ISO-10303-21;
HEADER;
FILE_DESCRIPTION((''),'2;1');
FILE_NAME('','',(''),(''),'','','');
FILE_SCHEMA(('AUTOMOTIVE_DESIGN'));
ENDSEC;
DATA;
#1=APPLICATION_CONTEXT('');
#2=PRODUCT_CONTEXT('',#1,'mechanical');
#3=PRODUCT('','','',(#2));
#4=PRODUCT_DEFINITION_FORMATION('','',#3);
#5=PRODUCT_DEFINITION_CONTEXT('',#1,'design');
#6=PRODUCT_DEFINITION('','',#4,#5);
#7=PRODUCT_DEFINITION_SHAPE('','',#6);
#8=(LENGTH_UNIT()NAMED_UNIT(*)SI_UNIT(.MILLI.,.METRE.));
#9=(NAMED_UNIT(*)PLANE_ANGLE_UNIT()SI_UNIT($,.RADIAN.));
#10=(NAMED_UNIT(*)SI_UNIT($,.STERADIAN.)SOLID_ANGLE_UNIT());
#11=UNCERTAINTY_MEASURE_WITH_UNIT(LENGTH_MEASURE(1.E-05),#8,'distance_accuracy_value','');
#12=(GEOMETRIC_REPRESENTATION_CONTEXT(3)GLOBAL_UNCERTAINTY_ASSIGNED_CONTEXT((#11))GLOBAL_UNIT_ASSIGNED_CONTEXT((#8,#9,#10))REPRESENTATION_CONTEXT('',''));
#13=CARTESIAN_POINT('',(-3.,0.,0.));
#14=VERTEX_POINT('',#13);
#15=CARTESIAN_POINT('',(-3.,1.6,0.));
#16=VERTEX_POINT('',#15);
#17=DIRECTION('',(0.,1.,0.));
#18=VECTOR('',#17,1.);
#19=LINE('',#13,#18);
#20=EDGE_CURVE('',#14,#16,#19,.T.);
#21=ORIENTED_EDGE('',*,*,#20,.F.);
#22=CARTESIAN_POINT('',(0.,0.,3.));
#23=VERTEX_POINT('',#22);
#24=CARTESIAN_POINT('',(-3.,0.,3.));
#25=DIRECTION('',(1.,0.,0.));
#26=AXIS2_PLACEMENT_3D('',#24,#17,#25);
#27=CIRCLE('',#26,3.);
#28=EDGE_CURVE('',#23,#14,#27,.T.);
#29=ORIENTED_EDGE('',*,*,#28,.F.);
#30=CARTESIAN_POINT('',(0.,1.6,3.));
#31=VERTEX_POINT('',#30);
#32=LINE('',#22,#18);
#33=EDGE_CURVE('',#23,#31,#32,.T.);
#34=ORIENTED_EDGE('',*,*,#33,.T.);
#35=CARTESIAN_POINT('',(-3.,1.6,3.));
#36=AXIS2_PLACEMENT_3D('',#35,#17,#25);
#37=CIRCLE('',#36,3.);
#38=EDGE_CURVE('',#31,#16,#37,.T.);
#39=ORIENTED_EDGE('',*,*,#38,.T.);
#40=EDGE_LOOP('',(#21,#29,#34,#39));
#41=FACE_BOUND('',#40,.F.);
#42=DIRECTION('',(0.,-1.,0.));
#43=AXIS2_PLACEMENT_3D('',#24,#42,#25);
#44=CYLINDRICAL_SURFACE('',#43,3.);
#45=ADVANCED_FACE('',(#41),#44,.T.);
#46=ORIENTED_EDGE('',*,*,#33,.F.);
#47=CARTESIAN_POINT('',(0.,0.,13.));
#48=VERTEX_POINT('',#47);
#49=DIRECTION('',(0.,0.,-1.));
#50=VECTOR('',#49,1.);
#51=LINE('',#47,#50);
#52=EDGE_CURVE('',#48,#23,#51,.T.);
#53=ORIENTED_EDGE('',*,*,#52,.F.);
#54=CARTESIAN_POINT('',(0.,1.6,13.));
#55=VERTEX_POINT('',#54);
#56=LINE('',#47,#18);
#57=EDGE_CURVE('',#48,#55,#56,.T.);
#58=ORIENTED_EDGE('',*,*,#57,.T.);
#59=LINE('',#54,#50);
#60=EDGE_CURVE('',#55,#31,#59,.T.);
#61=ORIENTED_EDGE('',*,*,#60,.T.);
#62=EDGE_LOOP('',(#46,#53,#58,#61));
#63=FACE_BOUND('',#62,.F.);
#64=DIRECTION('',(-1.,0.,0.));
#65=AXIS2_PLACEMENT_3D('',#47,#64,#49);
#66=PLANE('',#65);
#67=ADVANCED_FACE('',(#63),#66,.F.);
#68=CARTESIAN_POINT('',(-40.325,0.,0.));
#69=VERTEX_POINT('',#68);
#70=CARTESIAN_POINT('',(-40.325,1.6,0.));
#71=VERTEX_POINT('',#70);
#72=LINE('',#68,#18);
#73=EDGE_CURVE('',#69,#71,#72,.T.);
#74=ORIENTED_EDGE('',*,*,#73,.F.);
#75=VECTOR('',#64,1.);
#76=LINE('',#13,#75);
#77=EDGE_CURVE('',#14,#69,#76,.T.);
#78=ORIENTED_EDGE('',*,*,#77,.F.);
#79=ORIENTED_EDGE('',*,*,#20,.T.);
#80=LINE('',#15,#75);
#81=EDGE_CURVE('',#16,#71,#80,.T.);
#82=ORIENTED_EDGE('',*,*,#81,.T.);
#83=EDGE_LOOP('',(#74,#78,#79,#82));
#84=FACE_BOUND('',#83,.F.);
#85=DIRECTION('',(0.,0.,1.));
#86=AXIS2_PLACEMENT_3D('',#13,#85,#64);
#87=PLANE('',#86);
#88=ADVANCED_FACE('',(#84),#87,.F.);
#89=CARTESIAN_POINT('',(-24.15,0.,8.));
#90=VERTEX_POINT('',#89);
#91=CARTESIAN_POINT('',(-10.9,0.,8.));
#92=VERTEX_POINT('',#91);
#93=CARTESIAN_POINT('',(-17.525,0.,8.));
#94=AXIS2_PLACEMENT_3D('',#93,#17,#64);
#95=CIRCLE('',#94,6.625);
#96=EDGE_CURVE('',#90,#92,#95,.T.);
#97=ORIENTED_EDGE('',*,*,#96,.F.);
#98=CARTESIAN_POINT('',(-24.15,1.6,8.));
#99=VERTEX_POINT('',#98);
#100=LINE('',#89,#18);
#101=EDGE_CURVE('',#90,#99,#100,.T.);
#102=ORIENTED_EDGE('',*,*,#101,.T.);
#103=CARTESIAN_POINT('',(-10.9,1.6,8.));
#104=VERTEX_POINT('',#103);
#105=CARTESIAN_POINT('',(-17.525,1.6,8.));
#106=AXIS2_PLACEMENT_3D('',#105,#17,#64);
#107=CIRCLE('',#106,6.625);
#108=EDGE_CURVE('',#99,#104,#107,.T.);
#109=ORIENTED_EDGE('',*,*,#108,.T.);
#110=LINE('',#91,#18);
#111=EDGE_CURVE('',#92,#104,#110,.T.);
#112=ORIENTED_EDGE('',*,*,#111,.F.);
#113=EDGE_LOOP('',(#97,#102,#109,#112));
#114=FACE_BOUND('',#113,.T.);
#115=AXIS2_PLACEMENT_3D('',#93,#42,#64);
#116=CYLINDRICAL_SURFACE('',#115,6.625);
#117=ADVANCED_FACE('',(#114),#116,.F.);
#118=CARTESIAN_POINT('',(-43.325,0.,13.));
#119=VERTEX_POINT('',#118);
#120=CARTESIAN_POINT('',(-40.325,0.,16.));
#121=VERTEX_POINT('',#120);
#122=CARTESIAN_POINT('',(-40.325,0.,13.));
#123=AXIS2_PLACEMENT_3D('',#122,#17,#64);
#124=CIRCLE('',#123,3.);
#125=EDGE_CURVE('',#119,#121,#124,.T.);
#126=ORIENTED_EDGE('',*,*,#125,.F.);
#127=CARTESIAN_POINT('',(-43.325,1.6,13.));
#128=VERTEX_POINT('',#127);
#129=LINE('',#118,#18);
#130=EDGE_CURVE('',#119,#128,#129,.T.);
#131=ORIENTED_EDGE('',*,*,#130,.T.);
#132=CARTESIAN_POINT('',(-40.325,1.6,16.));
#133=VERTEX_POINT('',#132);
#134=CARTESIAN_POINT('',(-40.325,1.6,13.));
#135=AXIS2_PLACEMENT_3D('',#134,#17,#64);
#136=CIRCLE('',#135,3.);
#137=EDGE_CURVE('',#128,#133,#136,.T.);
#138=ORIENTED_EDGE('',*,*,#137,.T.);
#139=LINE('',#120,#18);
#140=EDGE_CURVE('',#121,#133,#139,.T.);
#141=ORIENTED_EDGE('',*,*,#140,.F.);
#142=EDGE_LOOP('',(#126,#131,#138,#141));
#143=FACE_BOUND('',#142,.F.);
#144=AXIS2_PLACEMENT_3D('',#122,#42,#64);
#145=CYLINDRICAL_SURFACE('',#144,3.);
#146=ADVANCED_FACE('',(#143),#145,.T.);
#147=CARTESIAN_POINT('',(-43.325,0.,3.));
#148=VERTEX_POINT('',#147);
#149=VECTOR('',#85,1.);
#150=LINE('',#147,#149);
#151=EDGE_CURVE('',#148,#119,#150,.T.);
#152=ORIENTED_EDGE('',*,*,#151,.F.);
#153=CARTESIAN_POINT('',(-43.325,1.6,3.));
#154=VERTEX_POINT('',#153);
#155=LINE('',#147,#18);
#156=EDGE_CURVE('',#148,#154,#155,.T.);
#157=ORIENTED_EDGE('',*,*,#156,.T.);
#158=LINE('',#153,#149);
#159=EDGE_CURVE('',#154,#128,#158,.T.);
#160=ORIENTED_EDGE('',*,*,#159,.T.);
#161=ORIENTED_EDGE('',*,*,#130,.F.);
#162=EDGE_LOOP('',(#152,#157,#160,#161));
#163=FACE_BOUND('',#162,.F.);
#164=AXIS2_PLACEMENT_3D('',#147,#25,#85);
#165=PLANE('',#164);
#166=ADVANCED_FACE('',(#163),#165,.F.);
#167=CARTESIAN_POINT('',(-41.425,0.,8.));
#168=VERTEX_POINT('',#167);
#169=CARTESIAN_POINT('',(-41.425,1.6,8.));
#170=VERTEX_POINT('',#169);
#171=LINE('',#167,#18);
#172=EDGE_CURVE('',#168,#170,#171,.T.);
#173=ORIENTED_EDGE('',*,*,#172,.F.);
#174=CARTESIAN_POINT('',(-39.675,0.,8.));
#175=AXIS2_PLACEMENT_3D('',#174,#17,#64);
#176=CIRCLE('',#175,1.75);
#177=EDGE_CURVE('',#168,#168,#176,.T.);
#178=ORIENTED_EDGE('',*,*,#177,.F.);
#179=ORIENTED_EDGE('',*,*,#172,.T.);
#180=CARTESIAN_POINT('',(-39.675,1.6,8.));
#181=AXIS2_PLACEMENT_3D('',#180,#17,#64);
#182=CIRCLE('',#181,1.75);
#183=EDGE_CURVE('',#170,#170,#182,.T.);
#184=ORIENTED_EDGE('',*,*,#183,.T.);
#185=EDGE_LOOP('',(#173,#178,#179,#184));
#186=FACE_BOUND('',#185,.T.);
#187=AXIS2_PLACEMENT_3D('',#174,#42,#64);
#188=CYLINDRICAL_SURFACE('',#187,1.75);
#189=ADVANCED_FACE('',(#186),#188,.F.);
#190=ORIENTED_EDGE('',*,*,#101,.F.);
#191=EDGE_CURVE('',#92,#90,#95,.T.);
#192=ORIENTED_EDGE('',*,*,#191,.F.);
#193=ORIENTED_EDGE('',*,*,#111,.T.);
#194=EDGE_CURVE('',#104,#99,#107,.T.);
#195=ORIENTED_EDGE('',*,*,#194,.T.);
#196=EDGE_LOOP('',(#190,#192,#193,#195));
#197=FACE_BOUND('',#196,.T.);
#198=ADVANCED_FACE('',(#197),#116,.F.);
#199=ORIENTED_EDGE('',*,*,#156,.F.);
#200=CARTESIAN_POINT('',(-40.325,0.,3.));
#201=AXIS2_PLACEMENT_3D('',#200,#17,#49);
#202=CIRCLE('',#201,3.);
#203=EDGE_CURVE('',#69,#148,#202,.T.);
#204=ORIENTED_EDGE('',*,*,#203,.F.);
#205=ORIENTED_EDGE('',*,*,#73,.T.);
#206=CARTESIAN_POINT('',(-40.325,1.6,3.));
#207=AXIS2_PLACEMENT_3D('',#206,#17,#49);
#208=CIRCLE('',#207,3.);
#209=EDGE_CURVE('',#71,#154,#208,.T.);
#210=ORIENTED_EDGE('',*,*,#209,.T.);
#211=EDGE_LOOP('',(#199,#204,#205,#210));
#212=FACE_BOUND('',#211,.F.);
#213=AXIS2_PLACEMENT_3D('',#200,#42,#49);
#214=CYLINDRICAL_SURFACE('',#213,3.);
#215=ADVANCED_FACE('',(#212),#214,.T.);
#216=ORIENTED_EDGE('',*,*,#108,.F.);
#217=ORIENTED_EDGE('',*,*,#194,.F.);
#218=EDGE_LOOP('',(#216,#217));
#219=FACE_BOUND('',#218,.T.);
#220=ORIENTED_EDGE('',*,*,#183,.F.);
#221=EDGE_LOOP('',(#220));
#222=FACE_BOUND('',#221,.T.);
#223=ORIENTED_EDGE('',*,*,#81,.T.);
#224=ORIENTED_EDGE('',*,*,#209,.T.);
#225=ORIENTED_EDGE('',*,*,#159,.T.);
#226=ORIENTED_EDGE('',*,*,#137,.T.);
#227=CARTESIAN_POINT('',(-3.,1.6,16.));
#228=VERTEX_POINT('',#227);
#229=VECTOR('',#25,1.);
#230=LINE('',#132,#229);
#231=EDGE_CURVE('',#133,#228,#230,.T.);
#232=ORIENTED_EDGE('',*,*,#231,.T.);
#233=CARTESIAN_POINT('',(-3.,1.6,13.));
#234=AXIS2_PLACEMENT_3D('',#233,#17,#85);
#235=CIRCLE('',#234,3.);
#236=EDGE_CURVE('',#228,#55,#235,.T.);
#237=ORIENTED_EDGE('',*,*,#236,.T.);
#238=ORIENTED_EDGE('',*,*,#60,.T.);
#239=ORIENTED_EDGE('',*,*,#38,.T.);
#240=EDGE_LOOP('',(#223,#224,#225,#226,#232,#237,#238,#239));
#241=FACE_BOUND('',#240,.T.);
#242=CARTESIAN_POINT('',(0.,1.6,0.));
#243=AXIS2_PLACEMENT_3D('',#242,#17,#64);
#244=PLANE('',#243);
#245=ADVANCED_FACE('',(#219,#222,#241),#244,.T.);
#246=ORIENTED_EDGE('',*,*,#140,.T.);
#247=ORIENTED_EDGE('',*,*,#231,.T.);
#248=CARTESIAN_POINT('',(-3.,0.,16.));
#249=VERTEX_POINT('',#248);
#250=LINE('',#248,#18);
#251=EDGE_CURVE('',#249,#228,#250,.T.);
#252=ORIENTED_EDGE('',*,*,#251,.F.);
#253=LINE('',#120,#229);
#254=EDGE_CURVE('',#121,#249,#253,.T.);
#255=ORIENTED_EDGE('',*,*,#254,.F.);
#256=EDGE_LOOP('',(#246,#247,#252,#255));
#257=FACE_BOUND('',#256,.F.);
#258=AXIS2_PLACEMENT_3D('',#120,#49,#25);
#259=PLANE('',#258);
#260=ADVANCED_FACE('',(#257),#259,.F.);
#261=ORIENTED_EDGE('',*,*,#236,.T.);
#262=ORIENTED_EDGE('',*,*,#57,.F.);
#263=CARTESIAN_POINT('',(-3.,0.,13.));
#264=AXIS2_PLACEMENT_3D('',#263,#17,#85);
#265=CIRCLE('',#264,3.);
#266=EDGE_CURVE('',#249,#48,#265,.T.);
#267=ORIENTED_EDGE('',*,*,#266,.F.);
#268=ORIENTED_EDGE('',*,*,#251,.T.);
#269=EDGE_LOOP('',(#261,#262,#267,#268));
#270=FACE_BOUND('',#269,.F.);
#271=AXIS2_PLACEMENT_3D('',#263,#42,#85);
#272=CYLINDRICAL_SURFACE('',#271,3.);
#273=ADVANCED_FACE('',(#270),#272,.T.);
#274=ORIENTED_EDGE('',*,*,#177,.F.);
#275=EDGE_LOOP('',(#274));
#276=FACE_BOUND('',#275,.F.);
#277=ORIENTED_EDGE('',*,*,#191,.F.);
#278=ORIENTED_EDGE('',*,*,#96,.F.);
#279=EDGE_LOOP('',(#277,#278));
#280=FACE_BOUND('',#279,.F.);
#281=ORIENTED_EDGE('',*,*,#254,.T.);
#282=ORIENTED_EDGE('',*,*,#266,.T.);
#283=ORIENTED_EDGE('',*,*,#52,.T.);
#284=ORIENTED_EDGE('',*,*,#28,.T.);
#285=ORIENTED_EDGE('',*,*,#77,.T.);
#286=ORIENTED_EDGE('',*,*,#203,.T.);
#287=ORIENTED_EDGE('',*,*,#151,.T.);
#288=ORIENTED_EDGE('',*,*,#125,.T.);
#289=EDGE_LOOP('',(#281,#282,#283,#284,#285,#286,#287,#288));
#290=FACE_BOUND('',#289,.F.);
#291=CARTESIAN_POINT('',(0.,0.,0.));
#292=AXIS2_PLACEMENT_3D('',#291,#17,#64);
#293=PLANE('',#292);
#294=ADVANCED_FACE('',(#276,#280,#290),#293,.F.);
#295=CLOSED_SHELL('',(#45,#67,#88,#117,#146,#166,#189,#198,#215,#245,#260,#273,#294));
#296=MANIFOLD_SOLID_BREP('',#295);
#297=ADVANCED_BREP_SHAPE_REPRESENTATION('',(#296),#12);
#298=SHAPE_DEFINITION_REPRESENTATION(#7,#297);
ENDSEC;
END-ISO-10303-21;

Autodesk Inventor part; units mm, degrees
ref_plane "YZ Plane" through (0, 0, 0) normal (1, 0, 0) x (0, 1, 0)
ref_plane "XZ Plane" through (0, 0, 0) normal (0, 1, 0) x (-1, 0, 0)
ref_plane "XY Plane" through (0, 0, 0) normal (0, 0, 1) x (1, 0, 0)
sketch "Sketch1" plane through (0, 0, 0) normal (0, 1, 0) x (-1, 0, 0)
  line L0 (3, 0) -> (40.325, 0)
  line L1 (43.325, 3) -> (43.325, 13)
  line L2 (40.325, 16) -> (3, 16)
  line L3 (0, 13) -> (0, 3)
  circle A0 centre (17.525, 8) radius 6.625
  arc A1 (3, 16) -> (0, 13) centre (3, 13) ccw
  arc A2 (0, 3) -> (3, 0) centre (3, 3) ccw
  arc A3 (40.325, 0) -> (43.325, 3) centre (40.325, 3) ccw
  arc A4 (43.325, 13) -> (40.325, 16) centre (40.325, 13) ccw
  line L4 (10.9, 8) -> (17.525, 8)
  circle A5 centre (39.675, 8) radius 1.75
  point P0 (0, 0)
  point P1 (43.325, 16)
  point P2 (43.325, 0)
  point P3 (0, 16)
  dimension "d0" = 13.25
  dimension "d1" = 16
  dimension "d9" = 3
  dimension "d20" = 8
  dimension "d22" = 25.8
  dimension "d24" = 10.9
  dimension "d25" = 3.5
  dimension "d26" = 3.65
extrude "Extrusion1" add sketch "Sketch1" along normal blind 1.6
properties part number "PCBAux"
